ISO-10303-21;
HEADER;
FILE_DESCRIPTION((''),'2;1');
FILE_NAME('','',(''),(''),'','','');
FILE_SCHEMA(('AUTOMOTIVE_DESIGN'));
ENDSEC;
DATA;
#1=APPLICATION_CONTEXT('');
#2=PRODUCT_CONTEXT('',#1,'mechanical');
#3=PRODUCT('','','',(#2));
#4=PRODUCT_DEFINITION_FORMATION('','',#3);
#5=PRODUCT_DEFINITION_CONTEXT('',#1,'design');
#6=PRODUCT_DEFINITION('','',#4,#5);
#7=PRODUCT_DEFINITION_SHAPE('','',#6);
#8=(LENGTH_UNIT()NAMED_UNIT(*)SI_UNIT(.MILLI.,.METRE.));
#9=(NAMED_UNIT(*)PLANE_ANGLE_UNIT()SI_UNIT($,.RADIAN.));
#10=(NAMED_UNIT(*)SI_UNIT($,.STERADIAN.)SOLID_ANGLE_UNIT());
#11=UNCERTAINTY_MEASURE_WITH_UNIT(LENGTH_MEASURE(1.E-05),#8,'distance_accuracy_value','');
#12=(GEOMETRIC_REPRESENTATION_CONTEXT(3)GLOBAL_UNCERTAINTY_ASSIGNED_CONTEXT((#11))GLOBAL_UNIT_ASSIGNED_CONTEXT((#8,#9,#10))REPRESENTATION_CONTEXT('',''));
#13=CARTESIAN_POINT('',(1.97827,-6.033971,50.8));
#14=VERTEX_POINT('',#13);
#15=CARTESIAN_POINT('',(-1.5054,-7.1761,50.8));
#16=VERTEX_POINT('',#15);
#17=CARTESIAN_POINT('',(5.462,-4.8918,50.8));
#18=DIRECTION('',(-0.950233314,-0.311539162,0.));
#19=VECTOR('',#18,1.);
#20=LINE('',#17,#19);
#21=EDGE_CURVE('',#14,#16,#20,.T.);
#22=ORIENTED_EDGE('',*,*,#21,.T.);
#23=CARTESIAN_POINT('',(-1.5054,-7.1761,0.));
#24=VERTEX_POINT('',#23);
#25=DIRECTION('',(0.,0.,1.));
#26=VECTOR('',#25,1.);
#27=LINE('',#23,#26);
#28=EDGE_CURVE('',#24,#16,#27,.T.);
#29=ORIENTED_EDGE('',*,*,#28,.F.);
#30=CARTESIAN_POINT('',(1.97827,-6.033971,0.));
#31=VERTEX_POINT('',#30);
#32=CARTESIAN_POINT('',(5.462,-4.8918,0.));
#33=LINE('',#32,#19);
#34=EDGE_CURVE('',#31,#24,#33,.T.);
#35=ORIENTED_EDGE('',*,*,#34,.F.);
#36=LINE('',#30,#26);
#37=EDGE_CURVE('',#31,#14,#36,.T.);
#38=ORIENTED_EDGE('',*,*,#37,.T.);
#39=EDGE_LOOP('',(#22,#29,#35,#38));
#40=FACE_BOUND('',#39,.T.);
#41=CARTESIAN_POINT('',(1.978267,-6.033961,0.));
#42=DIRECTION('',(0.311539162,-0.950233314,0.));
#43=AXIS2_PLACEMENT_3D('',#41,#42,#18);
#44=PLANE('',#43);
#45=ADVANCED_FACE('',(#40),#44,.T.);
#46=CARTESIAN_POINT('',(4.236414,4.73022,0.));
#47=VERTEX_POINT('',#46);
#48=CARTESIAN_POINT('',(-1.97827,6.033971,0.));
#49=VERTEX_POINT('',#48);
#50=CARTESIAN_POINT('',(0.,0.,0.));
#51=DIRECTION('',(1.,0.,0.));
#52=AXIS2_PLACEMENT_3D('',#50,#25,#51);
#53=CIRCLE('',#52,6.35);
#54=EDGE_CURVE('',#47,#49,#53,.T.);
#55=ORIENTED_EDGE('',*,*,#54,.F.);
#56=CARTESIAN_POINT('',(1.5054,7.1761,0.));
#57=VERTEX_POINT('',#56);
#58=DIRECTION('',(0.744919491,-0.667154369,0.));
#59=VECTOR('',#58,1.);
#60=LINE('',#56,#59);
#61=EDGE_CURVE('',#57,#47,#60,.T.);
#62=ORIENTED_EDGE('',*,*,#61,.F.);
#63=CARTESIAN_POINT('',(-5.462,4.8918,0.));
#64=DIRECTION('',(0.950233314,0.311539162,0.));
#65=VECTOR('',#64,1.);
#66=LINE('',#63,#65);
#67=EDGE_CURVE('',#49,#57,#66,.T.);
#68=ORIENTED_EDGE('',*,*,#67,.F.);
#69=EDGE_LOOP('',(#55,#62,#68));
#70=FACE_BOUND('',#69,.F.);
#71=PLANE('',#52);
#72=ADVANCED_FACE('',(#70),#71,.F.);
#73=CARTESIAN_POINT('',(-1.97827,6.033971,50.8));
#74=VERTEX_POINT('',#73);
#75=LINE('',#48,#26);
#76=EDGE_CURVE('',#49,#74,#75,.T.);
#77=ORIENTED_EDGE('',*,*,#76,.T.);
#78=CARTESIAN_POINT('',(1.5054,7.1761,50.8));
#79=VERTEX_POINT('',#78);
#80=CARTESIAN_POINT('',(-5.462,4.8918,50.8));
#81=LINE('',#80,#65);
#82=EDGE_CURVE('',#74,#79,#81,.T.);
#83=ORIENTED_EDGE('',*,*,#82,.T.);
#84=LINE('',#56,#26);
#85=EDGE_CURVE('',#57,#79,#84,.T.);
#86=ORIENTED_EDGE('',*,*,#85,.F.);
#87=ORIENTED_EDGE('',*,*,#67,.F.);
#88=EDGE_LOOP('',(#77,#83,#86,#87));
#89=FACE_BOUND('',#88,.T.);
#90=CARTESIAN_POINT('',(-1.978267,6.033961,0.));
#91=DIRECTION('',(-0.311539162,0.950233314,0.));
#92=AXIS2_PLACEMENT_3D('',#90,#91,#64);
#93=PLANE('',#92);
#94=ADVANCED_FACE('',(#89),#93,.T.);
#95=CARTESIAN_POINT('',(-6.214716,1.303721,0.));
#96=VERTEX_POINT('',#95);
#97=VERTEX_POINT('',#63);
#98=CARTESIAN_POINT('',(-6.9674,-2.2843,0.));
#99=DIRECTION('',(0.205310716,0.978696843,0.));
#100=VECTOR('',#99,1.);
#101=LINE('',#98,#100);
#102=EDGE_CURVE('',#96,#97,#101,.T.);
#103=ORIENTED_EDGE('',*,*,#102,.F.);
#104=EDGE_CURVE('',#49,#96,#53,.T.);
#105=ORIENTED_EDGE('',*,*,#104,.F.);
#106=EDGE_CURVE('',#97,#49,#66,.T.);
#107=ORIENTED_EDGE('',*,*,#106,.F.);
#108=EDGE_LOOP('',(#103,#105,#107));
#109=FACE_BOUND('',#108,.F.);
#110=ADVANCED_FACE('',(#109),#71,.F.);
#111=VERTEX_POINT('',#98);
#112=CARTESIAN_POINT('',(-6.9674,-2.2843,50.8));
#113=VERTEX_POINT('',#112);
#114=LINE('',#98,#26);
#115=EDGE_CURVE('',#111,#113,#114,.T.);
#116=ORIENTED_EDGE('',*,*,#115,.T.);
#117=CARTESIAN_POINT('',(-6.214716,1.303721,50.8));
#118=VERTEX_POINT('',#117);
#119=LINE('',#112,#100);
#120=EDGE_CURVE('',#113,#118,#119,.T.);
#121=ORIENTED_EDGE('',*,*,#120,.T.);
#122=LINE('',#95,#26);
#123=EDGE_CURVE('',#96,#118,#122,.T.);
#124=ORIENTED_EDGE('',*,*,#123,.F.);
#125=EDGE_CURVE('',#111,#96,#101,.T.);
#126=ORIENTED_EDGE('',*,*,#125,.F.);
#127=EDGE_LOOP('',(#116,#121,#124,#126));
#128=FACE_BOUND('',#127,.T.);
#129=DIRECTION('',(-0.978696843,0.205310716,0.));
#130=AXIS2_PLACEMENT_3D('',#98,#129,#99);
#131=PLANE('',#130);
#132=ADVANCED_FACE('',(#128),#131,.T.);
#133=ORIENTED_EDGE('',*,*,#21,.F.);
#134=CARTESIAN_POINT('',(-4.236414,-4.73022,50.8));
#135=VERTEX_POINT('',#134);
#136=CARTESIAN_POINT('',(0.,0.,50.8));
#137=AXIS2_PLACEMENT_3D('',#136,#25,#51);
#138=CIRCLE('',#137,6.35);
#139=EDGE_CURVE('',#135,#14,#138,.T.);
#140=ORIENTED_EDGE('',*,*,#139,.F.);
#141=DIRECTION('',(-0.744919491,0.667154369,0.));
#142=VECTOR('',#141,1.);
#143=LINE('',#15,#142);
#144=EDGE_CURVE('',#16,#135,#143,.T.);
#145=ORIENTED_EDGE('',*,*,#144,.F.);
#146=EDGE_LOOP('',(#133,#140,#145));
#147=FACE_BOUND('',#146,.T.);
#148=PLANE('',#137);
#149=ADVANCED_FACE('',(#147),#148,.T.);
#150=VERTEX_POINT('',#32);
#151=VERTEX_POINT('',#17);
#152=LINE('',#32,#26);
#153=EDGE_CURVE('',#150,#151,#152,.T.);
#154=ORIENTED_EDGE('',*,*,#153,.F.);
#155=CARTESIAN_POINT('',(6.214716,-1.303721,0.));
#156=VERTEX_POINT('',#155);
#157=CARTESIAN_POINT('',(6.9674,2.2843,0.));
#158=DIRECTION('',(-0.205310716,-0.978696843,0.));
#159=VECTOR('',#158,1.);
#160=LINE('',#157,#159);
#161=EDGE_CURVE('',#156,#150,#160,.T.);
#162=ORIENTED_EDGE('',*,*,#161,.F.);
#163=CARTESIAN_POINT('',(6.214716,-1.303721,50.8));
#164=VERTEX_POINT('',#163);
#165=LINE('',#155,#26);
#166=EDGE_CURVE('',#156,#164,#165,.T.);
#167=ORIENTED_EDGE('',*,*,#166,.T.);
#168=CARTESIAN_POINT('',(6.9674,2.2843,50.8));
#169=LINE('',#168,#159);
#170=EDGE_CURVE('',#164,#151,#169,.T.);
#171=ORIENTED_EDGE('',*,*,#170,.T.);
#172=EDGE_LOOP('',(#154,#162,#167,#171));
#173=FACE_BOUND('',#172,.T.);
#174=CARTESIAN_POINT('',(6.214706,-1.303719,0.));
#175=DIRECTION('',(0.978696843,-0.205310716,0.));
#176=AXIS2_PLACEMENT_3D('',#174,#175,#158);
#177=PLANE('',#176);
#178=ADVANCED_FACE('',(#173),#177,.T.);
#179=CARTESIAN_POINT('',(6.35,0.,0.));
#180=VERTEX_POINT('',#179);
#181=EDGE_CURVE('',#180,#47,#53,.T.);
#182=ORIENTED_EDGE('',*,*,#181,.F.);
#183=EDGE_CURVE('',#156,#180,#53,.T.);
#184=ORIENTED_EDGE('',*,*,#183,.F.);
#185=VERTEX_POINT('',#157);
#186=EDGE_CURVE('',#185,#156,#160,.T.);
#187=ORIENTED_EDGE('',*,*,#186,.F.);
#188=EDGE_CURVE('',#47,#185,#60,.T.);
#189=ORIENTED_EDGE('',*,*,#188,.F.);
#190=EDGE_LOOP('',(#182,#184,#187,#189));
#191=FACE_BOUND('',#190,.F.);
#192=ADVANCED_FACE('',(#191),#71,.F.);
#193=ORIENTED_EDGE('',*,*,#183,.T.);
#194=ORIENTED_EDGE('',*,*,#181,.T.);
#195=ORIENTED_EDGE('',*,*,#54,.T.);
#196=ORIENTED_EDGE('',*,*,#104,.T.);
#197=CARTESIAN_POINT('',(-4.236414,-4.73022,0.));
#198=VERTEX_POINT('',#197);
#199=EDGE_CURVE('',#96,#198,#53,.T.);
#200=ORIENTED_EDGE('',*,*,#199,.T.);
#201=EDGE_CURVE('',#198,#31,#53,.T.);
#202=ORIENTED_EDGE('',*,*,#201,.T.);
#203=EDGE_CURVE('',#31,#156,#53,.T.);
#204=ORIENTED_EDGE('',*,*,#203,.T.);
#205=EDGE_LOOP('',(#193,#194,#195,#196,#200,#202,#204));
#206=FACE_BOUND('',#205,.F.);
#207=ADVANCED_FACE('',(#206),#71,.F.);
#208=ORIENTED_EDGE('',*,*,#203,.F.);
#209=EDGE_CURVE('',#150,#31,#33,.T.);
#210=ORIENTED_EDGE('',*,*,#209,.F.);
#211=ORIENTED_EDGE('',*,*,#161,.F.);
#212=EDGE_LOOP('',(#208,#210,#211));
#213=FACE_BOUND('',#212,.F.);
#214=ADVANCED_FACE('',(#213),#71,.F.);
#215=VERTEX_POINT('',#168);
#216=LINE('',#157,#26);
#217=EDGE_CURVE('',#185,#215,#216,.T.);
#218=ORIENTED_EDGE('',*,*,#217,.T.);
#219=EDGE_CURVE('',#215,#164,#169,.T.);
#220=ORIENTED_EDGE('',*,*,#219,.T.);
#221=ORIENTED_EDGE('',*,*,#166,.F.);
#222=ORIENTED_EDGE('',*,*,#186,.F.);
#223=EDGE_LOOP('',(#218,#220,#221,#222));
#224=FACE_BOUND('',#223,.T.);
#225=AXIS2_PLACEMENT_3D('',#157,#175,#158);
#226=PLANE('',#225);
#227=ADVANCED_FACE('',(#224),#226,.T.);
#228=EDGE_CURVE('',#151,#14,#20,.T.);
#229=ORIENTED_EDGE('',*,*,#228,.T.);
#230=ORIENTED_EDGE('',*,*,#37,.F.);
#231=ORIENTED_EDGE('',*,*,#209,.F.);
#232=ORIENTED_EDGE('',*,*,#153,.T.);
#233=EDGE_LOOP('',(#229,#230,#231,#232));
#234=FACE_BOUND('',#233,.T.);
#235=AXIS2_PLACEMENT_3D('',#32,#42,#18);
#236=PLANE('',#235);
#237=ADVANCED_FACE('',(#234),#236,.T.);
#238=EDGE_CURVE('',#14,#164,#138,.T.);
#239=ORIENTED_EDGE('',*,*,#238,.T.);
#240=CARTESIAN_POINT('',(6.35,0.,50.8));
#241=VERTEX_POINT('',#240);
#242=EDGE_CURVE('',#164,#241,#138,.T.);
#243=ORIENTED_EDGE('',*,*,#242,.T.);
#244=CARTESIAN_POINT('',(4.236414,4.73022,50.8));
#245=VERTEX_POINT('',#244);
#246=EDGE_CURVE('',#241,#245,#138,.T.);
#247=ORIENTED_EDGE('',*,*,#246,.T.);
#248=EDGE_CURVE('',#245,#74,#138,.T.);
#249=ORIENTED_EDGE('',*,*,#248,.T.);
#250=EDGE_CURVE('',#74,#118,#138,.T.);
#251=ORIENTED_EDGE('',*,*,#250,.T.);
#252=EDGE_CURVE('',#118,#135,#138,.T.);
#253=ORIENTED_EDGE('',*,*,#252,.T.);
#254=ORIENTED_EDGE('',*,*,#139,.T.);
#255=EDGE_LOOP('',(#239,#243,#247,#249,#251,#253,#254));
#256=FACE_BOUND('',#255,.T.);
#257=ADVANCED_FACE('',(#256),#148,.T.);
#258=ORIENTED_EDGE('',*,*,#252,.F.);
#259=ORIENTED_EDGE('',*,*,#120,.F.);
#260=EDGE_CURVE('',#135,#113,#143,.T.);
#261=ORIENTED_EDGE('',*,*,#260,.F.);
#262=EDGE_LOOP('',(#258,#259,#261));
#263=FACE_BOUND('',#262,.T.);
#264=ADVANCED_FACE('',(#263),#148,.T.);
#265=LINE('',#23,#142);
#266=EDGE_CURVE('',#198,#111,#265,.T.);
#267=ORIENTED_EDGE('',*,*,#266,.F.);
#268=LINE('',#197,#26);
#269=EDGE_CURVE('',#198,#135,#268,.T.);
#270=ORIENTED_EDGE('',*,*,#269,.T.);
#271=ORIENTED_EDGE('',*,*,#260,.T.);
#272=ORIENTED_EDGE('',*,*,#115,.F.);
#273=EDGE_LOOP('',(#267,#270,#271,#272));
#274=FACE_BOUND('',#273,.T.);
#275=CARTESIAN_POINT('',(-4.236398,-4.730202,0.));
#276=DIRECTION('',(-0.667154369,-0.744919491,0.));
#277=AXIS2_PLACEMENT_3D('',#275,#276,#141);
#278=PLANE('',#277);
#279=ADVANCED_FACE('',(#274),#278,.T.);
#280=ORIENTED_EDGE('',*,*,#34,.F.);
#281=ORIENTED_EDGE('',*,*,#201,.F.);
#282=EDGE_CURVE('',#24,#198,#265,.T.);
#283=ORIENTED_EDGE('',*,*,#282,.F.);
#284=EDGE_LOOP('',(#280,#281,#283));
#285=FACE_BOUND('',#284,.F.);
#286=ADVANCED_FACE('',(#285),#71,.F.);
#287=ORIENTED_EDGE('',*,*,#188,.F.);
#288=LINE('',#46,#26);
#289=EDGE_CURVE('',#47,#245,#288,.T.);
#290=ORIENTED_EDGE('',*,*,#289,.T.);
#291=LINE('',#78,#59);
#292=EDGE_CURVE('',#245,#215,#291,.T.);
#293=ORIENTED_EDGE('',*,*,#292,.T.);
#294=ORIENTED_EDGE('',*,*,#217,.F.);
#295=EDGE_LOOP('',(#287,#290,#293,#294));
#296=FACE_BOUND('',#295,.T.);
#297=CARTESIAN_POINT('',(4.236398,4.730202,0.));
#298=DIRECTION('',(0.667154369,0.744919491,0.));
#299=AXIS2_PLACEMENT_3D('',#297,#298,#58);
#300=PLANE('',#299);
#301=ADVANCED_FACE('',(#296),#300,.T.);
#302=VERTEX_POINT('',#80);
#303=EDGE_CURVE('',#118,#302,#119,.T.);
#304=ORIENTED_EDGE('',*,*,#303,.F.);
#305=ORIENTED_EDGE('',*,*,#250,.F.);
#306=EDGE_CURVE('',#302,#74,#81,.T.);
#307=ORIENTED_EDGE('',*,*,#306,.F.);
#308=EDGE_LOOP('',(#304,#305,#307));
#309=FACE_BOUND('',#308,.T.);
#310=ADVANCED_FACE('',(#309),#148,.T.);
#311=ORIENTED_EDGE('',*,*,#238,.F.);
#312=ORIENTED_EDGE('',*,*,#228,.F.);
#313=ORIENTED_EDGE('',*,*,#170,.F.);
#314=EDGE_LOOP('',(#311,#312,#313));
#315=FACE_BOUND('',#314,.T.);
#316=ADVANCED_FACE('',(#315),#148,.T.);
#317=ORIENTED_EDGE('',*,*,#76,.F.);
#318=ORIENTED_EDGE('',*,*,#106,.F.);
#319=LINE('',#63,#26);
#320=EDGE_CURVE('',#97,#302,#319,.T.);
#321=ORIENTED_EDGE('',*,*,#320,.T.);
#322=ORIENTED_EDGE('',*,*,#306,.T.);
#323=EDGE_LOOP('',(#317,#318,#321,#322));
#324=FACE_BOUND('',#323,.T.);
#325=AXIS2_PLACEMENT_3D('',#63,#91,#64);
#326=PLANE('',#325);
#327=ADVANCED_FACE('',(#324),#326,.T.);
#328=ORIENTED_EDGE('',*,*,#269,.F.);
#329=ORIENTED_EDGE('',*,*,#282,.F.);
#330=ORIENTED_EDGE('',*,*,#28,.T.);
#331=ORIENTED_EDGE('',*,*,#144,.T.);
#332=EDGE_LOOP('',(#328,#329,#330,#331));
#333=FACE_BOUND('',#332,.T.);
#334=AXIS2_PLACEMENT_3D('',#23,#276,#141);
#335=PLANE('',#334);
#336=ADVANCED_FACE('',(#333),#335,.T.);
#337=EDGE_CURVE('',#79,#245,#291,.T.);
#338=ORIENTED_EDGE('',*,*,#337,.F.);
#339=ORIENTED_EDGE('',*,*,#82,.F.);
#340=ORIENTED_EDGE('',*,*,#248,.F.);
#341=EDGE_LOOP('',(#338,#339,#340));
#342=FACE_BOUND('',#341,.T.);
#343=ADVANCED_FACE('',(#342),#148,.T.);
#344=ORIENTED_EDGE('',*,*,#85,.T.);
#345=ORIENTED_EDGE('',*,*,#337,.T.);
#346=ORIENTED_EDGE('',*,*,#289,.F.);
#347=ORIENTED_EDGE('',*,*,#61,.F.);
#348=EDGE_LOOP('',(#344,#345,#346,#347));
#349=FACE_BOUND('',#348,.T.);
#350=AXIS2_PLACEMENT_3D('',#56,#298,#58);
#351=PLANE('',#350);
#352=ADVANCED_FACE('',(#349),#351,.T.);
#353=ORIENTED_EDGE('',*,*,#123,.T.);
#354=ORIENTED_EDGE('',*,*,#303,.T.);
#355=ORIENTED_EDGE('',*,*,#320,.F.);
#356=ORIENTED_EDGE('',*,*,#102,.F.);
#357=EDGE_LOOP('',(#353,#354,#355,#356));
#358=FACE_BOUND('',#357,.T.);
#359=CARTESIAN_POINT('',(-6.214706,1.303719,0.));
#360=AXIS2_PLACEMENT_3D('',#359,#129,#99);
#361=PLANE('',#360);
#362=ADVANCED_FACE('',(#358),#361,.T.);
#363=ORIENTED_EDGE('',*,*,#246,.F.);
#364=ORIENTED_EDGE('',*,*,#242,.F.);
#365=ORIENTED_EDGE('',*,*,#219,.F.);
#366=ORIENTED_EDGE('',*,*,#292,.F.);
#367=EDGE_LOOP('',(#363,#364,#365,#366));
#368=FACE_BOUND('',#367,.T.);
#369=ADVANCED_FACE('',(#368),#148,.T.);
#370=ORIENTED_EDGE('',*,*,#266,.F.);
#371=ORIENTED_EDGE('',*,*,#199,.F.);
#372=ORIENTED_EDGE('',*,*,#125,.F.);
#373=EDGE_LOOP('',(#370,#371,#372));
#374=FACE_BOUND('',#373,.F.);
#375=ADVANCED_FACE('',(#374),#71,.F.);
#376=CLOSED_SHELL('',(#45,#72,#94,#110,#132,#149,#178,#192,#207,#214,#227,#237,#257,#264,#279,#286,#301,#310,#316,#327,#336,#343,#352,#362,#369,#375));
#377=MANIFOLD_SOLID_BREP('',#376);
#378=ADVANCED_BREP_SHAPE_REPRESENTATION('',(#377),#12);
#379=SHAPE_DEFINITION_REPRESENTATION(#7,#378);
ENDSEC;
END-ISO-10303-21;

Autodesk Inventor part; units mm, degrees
ref_plane "YZ Plane" through (0, 0, 0) normal (1, 0, 0) x (0, 1, 0)
ref_plane "XZ Plane" through (0, 0, 0) normal (0, 1, 0) x (-1, 0, 0)
ref_plane "XY Plane" through (0, 0, 0) normal (0, 0, 1) x (1, 0, 0)
sketch "Sketch1" plane through (0, 0, 0) normal (0, 0, 1) x (1, 0, 0)
  circle A0 centre (0, 0) radius 6.35
  line L0 (6.9674, 2.2843) -> (5.462, -4.8918)
  line L1 (5.462, -4.8918) -> (-1.5054, -7.1761)
  line L2 (-1.5054, -7.1761) -> (-6.9674, -2.2843)
  line L3 (-6.9674, -2.2843) -> (-5.462, 4.8918)
  line L4 (-5.462, 4.8918) -> (1.5054, 7.1761)
  line L5 (1.5054, 7.1761) -> (6.9674, 2.2843)
  point P0 (4.2364, 4.7302)
  dimension "d0" = 12.7
extrude "Extrusion1" add sketch "Sketch1" along normal blind 50.8
properties part number "4-bar intake (2) shaft"
